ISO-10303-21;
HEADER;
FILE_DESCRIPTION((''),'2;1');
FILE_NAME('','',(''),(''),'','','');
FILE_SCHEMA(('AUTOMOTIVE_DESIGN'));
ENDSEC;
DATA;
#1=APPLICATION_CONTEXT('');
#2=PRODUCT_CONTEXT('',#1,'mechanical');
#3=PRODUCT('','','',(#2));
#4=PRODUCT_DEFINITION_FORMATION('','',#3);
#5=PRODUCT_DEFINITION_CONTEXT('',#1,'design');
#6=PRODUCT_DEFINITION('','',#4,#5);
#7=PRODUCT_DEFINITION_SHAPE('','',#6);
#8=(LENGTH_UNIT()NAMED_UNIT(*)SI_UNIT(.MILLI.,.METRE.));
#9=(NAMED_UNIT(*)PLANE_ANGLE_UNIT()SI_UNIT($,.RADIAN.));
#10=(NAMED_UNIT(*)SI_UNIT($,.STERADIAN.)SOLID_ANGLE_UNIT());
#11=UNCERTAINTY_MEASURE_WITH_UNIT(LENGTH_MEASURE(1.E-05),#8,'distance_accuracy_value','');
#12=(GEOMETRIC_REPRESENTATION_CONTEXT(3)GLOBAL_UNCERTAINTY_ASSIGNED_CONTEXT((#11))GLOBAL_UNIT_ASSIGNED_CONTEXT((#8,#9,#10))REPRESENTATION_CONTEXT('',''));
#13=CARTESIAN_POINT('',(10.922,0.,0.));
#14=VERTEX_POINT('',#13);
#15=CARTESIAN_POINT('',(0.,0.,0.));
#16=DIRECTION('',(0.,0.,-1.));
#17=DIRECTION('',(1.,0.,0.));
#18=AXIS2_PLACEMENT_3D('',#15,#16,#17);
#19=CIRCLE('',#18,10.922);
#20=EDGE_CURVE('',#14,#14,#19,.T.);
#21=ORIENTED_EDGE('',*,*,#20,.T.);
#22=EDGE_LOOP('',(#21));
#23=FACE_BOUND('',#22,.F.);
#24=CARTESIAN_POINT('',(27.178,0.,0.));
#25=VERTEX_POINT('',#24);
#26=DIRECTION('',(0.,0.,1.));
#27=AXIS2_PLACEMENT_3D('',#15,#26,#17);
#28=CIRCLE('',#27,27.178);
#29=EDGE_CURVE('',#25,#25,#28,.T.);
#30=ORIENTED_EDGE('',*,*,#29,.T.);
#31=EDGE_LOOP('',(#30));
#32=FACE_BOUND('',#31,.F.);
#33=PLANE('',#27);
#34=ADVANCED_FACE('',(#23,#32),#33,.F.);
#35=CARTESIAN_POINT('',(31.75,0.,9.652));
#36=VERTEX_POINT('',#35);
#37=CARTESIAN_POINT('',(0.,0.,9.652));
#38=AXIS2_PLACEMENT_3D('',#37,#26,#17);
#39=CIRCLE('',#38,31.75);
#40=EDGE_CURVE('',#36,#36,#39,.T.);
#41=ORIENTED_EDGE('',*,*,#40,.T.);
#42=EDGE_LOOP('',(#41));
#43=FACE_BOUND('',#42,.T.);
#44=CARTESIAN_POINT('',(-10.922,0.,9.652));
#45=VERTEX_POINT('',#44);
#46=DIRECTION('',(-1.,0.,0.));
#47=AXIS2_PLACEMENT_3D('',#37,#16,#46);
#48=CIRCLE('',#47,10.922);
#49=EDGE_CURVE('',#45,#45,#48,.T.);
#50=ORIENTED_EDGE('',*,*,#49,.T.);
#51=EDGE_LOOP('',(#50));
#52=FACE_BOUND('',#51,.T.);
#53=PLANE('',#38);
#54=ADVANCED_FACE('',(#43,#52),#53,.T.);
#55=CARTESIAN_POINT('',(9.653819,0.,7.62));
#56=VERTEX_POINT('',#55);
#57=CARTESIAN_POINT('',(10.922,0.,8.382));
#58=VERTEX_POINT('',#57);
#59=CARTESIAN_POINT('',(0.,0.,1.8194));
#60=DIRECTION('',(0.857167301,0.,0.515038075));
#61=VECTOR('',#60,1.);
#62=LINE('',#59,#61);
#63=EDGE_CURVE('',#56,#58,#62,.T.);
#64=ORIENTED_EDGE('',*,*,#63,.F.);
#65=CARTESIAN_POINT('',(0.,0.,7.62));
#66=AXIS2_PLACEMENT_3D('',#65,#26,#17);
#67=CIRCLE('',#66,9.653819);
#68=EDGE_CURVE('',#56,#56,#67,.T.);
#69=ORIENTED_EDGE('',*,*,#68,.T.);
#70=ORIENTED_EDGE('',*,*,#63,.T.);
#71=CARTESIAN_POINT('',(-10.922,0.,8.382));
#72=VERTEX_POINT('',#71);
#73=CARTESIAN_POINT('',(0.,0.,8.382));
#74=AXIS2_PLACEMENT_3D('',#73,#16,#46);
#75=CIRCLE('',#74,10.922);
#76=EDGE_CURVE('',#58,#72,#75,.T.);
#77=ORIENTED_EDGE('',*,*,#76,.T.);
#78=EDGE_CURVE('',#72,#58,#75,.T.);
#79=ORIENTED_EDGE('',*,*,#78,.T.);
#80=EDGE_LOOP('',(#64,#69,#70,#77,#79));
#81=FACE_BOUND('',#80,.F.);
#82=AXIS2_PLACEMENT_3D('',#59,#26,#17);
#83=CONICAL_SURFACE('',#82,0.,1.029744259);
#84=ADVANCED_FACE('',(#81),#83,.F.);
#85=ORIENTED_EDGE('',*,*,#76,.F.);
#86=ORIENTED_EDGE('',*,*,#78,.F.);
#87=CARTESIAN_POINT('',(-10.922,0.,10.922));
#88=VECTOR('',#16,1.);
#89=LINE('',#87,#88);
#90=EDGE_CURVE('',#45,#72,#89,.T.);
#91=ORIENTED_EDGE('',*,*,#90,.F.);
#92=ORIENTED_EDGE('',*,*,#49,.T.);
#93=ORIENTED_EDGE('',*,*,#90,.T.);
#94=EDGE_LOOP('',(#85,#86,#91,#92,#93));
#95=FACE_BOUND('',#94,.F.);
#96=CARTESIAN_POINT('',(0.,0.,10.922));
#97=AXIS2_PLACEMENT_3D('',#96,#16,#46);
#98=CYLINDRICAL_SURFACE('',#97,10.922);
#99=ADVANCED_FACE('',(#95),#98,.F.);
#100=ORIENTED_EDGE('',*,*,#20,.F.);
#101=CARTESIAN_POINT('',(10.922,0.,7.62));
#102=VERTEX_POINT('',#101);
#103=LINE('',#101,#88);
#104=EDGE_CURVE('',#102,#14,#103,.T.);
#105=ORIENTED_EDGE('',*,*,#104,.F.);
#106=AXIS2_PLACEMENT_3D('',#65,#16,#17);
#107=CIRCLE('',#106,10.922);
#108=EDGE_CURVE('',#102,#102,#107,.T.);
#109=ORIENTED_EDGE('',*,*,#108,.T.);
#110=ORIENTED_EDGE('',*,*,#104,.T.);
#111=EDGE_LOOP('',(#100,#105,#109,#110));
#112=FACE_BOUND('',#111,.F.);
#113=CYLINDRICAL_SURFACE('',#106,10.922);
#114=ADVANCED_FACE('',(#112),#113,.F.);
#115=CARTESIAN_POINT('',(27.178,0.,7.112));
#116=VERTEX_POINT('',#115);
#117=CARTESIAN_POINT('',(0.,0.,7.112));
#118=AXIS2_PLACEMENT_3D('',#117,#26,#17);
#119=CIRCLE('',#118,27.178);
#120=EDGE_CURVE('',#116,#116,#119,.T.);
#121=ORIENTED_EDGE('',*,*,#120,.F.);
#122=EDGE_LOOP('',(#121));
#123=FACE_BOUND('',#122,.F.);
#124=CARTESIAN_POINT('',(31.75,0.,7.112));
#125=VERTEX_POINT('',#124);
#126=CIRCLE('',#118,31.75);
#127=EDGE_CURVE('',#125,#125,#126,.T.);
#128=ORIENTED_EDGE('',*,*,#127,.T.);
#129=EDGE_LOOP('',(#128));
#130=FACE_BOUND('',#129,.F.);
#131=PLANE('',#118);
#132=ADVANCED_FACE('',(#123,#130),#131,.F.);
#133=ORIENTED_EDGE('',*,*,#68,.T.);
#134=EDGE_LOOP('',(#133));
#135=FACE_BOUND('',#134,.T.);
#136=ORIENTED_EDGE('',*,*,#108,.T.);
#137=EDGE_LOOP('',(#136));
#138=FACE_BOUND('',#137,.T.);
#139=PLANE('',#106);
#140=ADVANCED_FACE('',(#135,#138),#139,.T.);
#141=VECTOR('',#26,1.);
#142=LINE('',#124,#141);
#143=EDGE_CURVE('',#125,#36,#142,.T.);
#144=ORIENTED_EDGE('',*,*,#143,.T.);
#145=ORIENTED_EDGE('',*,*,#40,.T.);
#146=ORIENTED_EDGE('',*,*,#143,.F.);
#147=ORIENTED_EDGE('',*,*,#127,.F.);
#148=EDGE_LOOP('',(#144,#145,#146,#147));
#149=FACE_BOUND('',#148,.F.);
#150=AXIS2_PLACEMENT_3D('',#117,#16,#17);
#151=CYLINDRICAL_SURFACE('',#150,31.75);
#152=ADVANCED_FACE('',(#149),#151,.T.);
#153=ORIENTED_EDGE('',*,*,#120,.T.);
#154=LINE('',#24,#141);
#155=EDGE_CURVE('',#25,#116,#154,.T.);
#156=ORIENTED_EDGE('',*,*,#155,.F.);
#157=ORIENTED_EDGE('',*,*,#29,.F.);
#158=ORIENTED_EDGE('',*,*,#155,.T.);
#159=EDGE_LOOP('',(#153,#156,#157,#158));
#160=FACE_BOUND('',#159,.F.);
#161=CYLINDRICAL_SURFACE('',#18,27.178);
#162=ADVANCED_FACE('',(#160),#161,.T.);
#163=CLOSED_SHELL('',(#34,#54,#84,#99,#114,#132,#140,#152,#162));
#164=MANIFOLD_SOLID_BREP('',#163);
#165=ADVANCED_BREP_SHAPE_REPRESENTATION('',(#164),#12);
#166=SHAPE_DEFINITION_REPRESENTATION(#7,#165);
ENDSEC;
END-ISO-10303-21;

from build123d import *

# Parameters (mm, degrees)
F0_R           = 27.178
F1_DEPTH       = 7.112
F2_R           = 31.75
F3_DEPTH       = 2.54
F5_D           = 19.304
F5_DEPTH       = 7.62
F5_CBORE_D     = 21.844
F5_CBORE_DEPTH = 7.62
F5_TIP         = 5.7995066949
F7_D           = 21.844
F7_DEPTH       = 1.27
F7_TIP         = 6.562599681


with BuildPart() as f1:
    # F0 (on Top) → F1 (new body)
    with BuildSketch(Plane.XY):
        Circle(F0_R)
    extrude(amount=F1_DEPTH)

    # F2 (on face) → F3 (join)
    with BuildSketch(Plane.XY.offset(7.112)):
        Circle(F2_R)
    extrude(amount=F3_DEPTH)

    # F5
    with Locations(Plane(origin=(0, 0, 0), x_dir=(1, 0, 0), z_dir=(0, 0, -1))):
        with Locations((0, 0)):
            CounterBoreHole(F5_D / 2, F5_CBORE_D / 2, F5_CBORE_DEPTH, depth=F5_DEPTH)
            with Locations((0, 0, -(F5_DEPTH + F5_TIP / 2))):  # 118° drill point
                Cone(0, F5_D / 2, F5_TIP, mode=Mode.SUBTRACT)

    # F7
    with Locations(Plane.XY.offset(9.652)):
        with Locations((0, 0)):
            Hole(F7_D / 2, depth=F7_DEPTH)
            with Locations((0, 0, -(F7_DEPTH + F7_TIP / 2))):  # 118° drill point
                Cone(0, F7_D / 2, F7_TIP, mode=Mode.SUBTRACT)


solid = f1.part
